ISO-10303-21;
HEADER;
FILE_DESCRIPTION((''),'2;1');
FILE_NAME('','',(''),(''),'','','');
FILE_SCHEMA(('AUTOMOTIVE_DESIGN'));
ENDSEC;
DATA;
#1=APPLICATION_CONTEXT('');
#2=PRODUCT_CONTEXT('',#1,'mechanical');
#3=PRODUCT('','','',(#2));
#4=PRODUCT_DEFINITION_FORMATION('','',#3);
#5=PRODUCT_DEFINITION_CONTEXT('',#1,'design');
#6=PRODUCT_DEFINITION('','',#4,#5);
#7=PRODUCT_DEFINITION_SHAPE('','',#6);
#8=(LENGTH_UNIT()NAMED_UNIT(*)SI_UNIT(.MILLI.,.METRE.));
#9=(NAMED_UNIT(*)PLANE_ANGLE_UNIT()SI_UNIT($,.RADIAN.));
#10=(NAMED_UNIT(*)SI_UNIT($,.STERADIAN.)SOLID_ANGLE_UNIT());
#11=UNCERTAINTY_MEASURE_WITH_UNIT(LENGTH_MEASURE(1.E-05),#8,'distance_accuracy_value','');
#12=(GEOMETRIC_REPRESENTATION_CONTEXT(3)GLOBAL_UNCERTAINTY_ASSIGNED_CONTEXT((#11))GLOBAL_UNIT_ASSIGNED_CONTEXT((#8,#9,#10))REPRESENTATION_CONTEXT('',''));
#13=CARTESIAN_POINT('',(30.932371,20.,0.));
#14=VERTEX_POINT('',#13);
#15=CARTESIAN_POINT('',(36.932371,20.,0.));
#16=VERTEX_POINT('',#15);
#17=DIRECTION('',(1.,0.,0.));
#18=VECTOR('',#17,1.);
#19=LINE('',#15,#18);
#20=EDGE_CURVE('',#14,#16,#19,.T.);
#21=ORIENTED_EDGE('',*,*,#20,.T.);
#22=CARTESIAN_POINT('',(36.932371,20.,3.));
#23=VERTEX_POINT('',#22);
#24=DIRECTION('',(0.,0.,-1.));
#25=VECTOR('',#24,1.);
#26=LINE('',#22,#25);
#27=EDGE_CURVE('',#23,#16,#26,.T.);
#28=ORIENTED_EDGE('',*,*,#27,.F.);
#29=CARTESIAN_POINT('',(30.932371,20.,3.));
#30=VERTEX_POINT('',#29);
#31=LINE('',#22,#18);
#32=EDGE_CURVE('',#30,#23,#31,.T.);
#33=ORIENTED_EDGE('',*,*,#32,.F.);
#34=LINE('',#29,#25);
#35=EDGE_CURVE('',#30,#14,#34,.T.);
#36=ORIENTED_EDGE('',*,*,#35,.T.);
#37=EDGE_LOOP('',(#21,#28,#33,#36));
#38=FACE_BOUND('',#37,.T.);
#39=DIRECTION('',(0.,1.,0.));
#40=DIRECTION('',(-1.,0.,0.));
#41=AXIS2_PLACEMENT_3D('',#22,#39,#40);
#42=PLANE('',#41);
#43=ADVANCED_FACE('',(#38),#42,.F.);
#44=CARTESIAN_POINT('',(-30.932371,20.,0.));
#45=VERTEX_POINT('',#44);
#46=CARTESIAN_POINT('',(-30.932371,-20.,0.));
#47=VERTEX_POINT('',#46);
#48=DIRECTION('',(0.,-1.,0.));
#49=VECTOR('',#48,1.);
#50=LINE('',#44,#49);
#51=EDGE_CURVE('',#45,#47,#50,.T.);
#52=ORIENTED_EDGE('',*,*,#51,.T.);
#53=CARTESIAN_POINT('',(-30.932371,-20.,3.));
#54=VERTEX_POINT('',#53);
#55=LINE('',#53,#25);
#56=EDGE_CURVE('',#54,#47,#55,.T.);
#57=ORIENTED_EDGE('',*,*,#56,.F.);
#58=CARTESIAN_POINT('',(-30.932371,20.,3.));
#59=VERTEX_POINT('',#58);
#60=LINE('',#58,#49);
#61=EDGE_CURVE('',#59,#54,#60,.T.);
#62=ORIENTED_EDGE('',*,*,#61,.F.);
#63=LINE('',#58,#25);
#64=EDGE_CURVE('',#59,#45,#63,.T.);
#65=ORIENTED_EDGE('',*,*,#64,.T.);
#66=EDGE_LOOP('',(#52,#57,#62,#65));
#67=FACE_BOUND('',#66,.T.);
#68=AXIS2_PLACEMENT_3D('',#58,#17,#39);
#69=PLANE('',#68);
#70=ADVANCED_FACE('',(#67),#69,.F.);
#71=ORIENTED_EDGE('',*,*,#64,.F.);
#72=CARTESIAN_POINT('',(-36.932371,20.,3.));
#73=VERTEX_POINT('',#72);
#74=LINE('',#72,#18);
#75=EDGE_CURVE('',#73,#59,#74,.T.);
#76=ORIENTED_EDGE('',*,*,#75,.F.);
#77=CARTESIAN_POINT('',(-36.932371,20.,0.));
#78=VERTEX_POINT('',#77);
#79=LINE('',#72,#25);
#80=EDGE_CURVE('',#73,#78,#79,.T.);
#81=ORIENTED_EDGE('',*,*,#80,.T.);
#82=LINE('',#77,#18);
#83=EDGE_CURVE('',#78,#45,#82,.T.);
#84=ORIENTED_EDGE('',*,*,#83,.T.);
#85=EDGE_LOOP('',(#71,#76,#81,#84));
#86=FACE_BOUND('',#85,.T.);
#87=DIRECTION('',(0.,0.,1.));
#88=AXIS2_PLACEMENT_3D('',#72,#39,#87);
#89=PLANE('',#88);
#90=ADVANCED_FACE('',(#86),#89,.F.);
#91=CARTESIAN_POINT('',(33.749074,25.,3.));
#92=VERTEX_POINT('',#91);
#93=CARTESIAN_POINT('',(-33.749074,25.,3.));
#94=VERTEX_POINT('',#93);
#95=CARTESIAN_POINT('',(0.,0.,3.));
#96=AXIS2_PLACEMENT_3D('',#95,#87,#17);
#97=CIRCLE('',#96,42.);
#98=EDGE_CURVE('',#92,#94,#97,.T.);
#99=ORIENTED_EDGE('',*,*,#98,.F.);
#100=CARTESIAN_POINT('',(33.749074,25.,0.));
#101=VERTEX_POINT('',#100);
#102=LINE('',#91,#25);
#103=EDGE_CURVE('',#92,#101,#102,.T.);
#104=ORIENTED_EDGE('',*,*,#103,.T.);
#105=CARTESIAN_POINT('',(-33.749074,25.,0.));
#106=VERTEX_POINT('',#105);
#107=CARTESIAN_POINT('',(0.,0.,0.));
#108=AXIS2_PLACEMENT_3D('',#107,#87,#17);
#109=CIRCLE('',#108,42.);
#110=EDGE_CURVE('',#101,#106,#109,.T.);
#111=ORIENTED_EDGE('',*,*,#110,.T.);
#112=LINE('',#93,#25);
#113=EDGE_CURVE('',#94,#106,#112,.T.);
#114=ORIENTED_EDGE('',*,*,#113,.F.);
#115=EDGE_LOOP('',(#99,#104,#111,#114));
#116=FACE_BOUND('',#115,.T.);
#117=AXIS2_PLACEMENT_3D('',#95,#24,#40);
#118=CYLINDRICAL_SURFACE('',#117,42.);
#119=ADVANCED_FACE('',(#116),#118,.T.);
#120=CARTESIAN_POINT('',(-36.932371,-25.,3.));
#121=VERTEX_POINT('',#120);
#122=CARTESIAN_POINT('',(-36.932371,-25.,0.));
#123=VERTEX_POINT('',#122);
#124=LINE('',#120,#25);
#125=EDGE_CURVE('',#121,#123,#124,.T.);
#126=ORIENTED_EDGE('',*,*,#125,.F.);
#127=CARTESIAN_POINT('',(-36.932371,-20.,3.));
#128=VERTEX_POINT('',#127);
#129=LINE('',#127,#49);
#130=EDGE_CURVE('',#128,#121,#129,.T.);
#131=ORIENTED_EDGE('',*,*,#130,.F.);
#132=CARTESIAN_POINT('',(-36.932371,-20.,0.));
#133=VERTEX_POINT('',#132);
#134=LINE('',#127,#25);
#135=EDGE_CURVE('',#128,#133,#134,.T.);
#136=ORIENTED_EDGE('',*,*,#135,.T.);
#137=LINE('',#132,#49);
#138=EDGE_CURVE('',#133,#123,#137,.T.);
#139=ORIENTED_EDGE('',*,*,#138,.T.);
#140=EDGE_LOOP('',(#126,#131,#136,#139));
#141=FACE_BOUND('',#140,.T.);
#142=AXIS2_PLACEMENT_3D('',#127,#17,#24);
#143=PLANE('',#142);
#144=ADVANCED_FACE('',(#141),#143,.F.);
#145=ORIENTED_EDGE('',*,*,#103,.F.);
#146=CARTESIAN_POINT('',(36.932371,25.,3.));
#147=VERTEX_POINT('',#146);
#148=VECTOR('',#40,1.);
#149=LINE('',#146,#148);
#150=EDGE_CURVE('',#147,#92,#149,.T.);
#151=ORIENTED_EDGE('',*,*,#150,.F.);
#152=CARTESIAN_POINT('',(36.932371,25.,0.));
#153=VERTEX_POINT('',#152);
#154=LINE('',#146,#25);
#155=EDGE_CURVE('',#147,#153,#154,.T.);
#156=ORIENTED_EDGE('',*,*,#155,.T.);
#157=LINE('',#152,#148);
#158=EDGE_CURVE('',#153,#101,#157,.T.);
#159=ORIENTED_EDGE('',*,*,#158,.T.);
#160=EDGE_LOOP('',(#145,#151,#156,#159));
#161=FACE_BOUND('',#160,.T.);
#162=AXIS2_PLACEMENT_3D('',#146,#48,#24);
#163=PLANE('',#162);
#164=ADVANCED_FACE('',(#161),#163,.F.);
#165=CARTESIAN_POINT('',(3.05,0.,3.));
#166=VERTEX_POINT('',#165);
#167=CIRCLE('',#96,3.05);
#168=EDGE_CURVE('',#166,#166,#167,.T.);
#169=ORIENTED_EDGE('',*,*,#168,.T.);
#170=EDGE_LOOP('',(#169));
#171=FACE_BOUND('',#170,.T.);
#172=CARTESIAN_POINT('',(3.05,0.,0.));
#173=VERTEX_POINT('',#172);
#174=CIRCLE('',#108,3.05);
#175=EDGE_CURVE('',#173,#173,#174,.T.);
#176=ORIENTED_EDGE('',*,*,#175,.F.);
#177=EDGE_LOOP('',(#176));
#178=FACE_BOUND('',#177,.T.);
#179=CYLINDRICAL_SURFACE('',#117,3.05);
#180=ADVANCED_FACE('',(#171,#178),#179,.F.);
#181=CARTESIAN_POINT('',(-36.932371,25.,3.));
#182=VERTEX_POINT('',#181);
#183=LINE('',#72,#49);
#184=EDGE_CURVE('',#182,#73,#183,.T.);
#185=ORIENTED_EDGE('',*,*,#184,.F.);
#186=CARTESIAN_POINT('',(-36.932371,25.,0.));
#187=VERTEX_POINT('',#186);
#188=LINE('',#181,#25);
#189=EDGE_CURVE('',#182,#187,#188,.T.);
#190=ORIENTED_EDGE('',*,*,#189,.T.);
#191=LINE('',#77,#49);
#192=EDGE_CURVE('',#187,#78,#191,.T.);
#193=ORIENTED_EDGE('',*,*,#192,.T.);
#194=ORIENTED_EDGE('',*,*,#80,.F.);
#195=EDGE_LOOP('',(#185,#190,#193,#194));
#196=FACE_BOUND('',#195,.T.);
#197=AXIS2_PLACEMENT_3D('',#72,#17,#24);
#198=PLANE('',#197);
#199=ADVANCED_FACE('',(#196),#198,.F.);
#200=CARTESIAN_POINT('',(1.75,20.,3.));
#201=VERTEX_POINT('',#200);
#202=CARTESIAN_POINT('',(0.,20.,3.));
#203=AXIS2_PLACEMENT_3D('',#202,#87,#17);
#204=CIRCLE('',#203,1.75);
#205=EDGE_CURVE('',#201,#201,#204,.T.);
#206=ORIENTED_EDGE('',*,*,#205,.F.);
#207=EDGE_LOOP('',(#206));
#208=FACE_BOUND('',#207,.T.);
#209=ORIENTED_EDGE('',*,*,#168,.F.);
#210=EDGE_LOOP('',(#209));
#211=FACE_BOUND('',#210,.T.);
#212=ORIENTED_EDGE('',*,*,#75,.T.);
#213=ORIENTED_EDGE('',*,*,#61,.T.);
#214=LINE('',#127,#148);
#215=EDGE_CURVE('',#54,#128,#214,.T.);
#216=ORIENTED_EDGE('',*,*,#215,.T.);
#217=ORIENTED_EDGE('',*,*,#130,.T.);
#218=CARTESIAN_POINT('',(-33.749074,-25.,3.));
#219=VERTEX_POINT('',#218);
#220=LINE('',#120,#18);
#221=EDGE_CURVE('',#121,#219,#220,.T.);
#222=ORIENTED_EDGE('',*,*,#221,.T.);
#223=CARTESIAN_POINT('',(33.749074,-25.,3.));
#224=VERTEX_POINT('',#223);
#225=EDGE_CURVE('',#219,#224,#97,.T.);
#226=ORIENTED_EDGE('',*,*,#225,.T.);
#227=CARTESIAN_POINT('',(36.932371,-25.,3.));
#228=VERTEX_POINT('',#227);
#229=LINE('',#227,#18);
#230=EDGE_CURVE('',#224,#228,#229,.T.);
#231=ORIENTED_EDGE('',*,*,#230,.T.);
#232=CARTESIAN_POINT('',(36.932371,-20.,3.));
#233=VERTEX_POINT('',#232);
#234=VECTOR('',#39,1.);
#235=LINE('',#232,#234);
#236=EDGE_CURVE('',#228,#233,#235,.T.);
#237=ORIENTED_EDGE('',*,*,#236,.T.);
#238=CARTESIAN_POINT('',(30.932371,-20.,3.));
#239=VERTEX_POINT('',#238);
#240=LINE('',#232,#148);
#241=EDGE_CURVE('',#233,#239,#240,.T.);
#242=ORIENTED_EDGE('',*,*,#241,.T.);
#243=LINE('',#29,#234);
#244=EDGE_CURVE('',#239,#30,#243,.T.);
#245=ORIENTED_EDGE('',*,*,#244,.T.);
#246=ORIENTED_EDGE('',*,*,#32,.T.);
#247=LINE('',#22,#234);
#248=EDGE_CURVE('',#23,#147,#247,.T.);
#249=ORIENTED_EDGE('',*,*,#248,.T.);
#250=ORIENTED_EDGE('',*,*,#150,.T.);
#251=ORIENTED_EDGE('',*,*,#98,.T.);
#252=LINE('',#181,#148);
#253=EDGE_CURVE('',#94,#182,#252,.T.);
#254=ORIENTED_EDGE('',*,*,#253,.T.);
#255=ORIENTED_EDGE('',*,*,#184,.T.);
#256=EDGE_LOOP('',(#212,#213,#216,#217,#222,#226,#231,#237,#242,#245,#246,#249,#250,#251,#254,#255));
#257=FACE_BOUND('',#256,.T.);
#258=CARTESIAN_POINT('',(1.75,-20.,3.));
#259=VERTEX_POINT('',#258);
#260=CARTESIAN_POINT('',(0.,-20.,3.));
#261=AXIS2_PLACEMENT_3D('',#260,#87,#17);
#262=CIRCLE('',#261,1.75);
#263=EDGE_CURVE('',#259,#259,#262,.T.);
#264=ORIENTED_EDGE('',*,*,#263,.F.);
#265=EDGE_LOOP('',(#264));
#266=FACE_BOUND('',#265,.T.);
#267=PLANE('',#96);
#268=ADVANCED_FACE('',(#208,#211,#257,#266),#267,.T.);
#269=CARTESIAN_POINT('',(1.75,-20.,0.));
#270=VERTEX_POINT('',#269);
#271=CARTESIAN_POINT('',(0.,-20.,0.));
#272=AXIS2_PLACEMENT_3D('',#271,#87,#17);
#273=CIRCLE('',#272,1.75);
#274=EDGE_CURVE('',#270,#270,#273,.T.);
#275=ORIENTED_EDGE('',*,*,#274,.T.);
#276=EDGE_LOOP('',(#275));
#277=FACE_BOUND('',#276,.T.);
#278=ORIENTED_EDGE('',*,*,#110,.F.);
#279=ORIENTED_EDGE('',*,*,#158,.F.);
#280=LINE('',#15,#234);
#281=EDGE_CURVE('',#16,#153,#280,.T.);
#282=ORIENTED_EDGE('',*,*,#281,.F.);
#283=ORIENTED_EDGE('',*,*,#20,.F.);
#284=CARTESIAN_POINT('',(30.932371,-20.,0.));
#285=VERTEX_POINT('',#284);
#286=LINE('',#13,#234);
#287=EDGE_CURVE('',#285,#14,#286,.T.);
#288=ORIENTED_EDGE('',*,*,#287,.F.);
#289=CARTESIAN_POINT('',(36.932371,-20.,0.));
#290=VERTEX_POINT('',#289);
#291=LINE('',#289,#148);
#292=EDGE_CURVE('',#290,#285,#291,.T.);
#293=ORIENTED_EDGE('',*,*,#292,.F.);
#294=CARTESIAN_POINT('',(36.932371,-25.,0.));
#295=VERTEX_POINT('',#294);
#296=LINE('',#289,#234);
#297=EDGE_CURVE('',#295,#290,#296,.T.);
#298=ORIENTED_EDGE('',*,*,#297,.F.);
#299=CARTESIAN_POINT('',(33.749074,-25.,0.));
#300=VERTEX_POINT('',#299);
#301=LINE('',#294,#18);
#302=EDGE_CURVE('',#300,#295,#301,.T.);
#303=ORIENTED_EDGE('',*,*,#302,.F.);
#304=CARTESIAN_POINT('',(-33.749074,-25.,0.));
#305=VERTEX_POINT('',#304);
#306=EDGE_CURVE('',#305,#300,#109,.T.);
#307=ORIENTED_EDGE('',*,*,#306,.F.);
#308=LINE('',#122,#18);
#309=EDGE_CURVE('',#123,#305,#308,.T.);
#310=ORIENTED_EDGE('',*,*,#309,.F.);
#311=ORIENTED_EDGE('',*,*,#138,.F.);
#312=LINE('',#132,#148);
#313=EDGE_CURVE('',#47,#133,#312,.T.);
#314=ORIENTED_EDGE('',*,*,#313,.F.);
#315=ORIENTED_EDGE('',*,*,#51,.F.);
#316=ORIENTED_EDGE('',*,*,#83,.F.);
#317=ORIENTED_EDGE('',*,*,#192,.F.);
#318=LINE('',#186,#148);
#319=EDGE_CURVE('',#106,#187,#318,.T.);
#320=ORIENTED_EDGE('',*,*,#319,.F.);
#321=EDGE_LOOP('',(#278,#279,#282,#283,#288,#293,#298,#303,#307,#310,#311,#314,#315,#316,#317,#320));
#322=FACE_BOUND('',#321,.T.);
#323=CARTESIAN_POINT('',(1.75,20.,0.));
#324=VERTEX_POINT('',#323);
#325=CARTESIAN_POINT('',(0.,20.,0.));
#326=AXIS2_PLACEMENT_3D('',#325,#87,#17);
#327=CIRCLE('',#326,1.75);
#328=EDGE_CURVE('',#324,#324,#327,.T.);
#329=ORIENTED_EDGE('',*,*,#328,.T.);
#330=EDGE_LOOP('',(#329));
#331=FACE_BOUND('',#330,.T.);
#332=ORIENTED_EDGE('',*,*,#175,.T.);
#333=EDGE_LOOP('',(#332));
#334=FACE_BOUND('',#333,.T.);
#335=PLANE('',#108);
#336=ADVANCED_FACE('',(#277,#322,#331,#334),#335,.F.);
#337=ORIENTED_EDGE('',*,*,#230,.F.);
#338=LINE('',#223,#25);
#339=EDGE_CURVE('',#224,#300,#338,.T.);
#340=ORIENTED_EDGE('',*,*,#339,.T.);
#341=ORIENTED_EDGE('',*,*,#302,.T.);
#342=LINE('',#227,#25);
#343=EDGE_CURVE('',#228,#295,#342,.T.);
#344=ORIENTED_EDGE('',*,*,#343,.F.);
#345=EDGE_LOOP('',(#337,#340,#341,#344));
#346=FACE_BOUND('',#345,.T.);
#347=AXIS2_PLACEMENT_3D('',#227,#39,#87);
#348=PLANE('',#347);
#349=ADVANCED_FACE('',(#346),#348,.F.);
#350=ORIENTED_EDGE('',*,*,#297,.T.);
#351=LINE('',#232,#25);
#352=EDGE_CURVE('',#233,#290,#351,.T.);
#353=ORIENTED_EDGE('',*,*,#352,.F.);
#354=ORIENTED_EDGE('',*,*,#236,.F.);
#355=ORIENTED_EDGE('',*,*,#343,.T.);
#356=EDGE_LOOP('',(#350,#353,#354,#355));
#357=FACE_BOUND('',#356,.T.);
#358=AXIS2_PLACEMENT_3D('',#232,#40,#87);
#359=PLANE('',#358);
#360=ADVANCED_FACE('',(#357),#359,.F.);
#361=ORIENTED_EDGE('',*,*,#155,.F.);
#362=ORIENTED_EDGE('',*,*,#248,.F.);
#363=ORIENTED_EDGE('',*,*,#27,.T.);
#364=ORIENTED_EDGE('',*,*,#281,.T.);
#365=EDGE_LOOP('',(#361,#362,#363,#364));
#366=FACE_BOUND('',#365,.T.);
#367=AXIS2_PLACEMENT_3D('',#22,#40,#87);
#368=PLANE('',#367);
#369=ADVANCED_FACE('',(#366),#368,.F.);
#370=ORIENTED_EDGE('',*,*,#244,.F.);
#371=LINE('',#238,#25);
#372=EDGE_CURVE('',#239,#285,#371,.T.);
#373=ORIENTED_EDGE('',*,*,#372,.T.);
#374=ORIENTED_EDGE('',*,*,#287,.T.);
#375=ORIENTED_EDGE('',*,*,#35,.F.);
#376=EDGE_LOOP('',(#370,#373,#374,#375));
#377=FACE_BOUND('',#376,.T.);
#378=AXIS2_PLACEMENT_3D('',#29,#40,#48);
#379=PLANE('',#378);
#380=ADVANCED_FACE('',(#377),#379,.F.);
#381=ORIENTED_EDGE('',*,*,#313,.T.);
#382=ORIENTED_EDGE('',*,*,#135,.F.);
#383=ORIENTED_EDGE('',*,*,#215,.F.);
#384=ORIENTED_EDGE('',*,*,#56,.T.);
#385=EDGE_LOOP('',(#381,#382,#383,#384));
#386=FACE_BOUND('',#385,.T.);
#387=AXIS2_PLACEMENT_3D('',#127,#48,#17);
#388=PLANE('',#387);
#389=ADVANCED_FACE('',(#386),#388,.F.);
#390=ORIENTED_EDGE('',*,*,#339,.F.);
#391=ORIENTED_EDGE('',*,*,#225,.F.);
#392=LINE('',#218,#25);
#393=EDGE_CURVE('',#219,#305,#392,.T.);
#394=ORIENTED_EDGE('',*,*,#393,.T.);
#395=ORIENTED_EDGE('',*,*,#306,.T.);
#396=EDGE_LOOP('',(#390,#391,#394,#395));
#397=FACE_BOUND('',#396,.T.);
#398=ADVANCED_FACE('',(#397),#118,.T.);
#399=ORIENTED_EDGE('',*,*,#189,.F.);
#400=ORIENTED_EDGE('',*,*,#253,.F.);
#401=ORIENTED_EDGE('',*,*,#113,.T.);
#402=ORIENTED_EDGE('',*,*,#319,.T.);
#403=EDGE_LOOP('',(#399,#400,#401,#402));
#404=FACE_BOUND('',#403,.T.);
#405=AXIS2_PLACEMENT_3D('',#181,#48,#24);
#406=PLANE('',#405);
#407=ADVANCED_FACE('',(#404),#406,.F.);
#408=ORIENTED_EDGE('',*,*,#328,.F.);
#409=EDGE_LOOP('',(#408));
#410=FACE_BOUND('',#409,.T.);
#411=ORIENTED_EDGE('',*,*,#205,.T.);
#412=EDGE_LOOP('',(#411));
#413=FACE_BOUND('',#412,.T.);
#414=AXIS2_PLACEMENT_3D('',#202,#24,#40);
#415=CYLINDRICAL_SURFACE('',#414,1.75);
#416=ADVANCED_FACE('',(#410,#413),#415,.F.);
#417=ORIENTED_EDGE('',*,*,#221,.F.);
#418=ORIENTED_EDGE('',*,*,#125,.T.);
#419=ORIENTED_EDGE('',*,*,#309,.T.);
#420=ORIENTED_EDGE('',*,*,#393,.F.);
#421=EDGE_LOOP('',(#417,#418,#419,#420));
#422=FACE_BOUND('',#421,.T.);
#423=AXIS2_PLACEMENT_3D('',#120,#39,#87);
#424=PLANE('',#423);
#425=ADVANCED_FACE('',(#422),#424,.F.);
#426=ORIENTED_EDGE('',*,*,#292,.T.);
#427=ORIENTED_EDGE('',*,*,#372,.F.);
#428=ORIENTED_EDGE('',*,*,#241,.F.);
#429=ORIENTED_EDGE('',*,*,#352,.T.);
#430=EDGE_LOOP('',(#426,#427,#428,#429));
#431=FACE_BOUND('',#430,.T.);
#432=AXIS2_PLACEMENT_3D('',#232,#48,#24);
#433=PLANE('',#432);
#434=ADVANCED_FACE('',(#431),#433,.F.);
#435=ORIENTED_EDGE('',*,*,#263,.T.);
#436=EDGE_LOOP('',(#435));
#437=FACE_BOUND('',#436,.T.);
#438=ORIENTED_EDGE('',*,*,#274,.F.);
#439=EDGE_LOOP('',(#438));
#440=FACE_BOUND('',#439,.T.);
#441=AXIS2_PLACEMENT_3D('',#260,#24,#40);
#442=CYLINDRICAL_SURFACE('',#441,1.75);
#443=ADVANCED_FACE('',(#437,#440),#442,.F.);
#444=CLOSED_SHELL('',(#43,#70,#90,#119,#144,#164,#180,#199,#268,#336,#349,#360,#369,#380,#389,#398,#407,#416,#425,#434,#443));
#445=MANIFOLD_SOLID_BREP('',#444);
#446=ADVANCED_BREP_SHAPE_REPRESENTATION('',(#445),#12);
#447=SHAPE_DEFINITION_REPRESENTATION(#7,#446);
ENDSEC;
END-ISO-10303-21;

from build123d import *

# Parameters (mm, degrees)
CROQUIS1_R              = 3.05
CROQUIS1_R_2            = 1.75
SALIENTE_EXTRUIR1_DEPTH = 3


with BuildPart() as part:
    # Croquis1 → Saliente-Extruir1 (new body)
    with BuildSketch(Plane.XY):
        with BuildLine():
            Line((-36.932370625, 20), (-30.932370625, 20))
            Line((-30.932370625, 20), (-30.932370625, -20))
            Line((-30.932370625, -20), (-36.932370625, -20))
            Line((-36.932370625, -20), (-36.932370625, -25))
            Line((-36.932370625, -25), (-33.749074061, -25))
            ThreePointArc((-33.749074061, -25), (0, -42), (33.749074061, -25))
            Line((33.749074061, -25), (36.932370625, -25))
            Line((36.932370625, -25), (36.932370625, -20))
            Line((36.932370625, -20), (30.932370625, -20))
            Line((30.932370625, -20), (30.932370625, 20))
            Line((30.932370625, 20), (36.932370625, 20))
            Line((36.932370625, 20), (36.932370625, 25))
            Line((36.932370625, 25), (33.749074061, 25))
            ThreePointArc((33.749074061, 25), (0, 42), (-33.749074061, 25))
            Line((-33.749074061, 25), (-36.932370625, 25))
            Line((-36.932370625, 25), (-36.932370625, 20))
        make_face()
        Circle(CROQUIS1_R, mode=Mode.SUBTRACT)
        with Locations((0, 20)):
            Circle(CROQUIS1_R_2, mode=Mode.SUBTRACT)
        with Locations((0, -20)):
            Circle(CROQUIS1_R_2, mode=Mode.SUBTRACT)
    extrude(amount=SALIENTE_EXTRUIR1_DEPTH)


solid = part.part
